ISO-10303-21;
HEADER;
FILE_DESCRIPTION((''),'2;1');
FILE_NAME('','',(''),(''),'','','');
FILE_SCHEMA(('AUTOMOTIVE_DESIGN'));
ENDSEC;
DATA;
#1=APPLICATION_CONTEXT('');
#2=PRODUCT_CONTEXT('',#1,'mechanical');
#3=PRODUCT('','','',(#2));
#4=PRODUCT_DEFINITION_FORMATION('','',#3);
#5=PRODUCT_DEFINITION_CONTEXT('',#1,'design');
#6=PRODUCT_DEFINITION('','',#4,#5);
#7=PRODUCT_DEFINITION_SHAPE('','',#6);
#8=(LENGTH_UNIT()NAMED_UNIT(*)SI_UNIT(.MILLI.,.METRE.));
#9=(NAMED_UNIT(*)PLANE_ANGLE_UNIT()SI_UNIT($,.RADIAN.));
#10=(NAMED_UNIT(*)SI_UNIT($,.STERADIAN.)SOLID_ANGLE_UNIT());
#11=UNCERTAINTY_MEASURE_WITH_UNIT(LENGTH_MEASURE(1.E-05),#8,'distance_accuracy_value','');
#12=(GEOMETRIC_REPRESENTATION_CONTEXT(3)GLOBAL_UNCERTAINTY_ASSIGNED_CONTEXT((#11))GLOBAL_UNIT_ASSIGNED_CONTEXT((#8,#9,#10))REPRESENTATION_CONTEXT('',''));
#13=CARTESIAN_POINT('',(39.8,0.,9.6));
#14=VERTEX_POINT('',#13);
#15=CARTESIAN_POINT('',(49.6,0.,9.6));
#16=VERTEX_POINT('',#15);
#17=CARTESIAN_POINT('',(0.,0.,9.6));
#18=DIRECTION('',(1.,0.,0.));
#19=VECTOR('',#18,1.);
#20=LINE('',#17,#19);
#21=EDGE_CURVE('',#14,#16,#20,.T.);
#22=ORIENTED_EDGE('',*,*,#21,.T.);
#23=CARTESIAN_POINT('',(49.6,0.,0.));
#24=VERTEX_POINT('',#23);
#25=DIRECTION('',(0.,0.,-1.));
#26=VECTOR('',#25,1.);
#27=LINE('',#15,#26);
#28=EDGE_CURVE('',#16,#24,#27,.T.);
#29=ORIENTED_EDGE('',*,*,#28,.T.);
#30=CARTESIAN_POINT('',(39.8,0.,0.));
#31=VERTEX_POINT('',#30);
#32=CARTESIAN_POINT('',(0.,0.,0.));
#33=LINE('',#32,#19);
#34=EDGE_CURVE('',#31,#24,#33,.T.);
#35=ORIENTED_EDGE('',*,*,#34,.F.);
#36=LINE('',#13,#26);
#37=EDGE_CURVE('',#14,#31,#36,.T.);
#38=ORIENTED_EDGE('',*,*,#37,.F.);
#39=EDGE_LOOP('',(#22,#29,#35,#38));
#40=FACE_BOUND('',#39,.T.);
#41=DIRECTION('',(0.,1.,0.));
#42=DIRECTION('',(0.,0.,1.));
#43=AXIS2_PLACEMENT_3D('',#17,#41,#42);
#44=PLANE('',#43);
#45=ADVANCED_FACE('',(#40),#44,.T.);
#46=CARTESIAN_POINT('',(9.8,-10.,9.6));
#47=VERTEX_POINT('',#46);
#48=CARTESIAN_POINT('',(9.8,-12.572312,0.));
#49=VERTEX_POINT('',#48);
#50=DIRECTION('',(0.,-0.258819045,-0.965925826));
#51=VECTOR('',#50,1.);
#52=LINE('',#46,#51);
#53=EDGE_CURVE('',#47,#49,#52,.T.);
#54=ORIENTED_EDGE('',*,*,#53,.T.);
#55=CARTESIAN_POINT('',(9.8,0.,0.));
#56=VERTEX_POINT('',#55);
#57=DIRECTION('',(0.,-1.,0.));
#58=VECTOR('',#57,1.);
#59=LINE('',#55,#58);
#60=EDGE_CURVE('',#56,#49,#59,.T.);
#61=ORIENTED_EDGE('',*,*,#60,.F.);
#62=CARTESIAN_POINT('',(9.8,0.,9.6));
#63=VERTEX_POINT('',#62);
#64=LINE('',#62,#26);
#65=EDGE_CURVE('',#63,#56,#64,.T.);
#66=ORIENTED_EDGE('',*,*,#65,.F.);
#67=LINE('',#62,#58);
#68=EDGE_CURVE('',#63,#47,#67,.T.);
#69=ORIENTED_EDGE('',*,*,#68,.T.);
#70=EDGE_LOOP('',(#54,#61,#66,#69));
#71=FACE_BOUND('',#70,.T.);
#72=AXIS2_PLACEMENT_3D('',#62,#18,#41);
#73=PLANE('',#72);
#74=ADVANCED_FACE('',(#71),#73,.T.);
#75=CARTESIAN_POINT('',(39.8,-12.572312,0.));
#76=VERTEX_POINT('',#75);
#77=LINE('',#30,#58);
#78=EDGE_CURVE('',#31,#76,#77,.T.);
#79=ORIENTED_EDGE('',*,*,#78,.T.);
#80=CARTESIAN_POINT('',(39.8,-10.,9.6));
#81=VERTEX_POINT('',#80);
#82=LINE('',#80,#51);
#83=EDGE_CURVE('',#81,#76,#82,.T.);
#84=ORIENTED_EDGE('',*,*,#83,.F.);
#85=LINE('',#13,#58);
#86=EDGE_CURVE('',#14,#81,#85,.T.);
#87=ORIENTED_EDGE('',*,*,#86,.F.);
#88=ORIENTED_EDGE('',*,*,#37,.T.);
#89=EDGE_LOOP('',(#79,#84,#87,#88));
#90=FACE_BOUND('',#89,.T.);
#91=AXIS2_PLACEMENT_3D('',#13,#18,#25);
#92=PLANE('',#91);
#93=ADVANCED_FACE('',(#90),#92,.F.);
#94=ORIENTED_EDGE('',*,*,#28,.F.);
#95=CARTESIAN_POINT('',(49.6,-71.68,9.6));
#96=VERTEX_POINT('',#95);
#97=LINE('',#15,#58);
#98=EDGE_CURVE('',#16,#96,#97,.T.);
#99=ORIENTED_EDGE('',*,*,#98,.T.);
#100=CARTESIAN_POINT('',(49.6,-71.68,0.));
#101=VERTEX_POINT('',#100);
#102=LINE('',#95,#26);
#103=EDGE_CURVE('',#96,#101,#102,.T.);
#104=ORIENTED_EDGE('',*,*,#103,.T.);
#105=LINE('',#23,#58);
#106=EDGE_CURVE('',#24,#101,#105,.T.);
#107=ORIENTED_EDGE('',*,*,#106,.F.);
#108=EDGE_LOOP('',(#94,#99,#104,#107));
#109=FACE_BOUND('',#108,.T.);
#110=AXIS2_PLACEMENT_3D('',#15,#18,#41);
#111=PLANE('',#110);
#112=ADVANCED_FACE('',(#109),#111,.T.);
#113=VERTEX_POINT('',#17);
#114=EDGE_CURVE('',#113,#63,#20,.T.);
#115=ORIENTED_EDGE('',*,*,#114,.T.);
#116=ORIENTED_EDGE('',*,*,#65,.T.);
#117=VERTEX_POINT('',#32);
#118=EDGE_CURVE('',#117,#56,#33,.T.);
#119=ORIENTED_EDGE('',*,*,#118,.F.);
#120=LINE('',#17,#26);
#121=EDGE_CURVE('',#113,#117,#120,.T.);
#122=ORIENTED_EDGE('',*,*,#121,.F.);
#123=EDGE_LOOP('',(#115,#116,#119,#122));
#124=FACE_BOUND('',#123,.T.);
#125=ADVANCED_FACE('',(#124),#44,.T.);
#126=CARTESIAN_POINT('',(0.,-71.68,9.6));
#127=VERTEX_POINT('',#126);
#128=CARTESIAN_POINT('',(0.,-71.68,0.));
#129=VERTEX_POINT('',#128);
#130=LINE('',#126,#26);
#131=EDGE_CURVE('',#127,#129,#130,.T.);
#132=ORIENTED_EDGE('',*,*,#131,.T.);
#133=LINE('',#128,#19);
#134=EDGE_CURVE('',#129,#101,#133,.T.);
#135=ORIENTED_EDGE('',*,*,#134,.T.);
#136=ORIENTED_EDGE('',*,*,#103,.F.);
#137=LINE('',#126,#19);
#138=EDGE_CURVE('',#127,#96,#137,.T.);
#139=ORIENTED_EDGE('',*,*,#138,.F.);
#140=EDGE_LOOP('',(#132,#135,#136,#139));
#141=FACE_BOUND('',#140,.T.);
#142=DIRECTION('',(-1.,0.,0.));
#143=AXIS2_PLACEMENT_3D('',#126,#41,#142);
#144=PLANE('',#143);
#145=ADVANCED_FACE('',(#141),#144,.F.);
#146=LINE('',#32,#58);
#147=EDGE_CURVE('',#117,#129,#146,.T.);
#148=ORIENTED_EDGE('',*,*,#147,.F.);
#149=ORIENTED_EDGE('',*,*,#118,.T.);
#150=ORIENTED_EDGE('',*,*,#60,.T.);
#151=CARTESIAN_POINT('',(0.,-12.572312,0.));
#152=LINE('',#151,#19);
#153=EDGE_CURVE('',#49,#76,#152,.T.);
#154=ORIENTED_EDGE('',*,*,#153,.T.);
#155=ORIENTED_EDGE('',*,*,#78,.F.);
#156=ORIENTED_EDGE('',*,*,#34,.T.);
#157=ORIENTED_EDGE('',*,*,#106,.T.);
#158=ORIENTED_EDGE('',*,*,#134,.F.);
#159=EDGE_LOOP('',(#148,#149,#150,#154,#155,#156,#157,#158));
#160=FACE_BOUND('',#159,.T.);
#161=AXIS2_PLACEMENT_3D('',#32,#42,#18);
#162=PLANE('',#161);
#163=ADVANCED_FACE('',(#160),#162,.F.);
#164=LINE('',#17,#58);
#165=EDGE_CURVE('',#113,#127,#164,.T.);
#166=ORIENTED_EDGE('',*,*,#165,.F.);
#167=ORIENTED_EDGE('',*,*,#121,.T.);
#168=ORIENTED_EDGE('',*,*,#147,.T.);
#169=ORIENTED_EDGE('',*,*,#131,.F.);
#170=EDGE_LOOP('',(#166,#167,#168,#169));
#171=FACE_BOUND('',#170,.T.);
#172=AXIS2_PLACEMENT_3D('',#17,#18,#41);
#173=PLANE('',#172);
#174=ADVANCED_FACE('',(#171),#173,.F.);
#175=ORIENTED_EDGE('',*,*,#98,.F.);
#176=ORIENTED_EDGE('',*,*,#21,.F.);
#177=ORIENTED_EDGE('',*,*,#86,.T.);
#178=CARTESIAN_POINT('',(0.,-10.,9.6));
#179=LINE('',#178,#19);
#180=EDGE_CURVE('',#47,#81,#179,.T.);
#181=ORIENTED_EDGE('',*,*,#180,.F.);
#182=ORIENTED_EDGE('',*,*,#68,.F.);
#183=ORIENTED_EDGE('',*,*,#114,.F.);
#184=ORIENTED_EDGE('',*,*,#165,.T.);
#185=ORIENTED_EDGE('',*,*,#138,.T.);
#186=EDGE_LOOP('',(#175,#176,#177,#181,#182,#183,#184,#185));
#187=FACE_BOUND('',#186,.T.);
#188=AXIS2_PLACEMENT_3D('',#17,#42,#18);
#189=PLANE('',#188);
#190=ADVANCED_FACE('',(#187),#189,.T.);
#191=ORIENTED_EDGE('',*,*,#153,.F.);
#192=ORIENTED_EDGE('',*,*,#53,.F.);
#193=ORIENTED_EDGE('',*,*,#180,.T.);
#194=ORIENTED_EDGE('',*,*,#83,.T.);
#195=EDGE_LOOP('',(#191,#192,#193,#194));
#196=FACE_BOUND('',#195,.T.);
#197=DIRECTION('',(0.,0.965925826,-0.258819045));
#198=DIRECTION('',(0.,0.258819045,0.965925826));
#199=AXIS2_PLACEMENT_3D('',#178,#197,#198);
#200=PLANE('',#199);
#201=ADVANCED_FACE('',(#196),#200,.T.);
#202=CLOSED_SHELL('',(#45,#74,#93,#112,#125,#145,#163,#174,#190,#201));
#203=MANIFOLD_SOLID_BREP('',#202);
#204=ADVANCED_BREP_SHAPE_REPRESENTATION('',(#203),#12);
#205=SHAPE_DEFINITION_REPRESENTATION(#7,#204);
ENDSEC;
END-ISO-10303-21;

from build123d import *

# Parameters (mm, degrees)
EXTRUDE_1_DEPTH = 9.6
DRAFT_5_ANGLE   = -15


with BuildPart() as part:
    # 草图1 → 凸台-拉伸1 (new body)
    with BuildSketch(Plane.XY):
        Polygon((9.8, 0), (0, 0), (0, -71.68), (49.6, -71.68), (49.6, 0), (39.8, 0), (39.8, -10), (9.8, -10), align=None)
    extrude(amount=EXTRUDE_1_DEPTH)

    # 拔模5
    draft_5_faces = [part.faces().sort_by_distance(p)[0] for p in [
        (24.8, -10, 4.8),
    ]]
    draft(draft_5_faces, Plane.XY.offset(9.6), DRAFT_5_ANGLE)


solid = part.part
